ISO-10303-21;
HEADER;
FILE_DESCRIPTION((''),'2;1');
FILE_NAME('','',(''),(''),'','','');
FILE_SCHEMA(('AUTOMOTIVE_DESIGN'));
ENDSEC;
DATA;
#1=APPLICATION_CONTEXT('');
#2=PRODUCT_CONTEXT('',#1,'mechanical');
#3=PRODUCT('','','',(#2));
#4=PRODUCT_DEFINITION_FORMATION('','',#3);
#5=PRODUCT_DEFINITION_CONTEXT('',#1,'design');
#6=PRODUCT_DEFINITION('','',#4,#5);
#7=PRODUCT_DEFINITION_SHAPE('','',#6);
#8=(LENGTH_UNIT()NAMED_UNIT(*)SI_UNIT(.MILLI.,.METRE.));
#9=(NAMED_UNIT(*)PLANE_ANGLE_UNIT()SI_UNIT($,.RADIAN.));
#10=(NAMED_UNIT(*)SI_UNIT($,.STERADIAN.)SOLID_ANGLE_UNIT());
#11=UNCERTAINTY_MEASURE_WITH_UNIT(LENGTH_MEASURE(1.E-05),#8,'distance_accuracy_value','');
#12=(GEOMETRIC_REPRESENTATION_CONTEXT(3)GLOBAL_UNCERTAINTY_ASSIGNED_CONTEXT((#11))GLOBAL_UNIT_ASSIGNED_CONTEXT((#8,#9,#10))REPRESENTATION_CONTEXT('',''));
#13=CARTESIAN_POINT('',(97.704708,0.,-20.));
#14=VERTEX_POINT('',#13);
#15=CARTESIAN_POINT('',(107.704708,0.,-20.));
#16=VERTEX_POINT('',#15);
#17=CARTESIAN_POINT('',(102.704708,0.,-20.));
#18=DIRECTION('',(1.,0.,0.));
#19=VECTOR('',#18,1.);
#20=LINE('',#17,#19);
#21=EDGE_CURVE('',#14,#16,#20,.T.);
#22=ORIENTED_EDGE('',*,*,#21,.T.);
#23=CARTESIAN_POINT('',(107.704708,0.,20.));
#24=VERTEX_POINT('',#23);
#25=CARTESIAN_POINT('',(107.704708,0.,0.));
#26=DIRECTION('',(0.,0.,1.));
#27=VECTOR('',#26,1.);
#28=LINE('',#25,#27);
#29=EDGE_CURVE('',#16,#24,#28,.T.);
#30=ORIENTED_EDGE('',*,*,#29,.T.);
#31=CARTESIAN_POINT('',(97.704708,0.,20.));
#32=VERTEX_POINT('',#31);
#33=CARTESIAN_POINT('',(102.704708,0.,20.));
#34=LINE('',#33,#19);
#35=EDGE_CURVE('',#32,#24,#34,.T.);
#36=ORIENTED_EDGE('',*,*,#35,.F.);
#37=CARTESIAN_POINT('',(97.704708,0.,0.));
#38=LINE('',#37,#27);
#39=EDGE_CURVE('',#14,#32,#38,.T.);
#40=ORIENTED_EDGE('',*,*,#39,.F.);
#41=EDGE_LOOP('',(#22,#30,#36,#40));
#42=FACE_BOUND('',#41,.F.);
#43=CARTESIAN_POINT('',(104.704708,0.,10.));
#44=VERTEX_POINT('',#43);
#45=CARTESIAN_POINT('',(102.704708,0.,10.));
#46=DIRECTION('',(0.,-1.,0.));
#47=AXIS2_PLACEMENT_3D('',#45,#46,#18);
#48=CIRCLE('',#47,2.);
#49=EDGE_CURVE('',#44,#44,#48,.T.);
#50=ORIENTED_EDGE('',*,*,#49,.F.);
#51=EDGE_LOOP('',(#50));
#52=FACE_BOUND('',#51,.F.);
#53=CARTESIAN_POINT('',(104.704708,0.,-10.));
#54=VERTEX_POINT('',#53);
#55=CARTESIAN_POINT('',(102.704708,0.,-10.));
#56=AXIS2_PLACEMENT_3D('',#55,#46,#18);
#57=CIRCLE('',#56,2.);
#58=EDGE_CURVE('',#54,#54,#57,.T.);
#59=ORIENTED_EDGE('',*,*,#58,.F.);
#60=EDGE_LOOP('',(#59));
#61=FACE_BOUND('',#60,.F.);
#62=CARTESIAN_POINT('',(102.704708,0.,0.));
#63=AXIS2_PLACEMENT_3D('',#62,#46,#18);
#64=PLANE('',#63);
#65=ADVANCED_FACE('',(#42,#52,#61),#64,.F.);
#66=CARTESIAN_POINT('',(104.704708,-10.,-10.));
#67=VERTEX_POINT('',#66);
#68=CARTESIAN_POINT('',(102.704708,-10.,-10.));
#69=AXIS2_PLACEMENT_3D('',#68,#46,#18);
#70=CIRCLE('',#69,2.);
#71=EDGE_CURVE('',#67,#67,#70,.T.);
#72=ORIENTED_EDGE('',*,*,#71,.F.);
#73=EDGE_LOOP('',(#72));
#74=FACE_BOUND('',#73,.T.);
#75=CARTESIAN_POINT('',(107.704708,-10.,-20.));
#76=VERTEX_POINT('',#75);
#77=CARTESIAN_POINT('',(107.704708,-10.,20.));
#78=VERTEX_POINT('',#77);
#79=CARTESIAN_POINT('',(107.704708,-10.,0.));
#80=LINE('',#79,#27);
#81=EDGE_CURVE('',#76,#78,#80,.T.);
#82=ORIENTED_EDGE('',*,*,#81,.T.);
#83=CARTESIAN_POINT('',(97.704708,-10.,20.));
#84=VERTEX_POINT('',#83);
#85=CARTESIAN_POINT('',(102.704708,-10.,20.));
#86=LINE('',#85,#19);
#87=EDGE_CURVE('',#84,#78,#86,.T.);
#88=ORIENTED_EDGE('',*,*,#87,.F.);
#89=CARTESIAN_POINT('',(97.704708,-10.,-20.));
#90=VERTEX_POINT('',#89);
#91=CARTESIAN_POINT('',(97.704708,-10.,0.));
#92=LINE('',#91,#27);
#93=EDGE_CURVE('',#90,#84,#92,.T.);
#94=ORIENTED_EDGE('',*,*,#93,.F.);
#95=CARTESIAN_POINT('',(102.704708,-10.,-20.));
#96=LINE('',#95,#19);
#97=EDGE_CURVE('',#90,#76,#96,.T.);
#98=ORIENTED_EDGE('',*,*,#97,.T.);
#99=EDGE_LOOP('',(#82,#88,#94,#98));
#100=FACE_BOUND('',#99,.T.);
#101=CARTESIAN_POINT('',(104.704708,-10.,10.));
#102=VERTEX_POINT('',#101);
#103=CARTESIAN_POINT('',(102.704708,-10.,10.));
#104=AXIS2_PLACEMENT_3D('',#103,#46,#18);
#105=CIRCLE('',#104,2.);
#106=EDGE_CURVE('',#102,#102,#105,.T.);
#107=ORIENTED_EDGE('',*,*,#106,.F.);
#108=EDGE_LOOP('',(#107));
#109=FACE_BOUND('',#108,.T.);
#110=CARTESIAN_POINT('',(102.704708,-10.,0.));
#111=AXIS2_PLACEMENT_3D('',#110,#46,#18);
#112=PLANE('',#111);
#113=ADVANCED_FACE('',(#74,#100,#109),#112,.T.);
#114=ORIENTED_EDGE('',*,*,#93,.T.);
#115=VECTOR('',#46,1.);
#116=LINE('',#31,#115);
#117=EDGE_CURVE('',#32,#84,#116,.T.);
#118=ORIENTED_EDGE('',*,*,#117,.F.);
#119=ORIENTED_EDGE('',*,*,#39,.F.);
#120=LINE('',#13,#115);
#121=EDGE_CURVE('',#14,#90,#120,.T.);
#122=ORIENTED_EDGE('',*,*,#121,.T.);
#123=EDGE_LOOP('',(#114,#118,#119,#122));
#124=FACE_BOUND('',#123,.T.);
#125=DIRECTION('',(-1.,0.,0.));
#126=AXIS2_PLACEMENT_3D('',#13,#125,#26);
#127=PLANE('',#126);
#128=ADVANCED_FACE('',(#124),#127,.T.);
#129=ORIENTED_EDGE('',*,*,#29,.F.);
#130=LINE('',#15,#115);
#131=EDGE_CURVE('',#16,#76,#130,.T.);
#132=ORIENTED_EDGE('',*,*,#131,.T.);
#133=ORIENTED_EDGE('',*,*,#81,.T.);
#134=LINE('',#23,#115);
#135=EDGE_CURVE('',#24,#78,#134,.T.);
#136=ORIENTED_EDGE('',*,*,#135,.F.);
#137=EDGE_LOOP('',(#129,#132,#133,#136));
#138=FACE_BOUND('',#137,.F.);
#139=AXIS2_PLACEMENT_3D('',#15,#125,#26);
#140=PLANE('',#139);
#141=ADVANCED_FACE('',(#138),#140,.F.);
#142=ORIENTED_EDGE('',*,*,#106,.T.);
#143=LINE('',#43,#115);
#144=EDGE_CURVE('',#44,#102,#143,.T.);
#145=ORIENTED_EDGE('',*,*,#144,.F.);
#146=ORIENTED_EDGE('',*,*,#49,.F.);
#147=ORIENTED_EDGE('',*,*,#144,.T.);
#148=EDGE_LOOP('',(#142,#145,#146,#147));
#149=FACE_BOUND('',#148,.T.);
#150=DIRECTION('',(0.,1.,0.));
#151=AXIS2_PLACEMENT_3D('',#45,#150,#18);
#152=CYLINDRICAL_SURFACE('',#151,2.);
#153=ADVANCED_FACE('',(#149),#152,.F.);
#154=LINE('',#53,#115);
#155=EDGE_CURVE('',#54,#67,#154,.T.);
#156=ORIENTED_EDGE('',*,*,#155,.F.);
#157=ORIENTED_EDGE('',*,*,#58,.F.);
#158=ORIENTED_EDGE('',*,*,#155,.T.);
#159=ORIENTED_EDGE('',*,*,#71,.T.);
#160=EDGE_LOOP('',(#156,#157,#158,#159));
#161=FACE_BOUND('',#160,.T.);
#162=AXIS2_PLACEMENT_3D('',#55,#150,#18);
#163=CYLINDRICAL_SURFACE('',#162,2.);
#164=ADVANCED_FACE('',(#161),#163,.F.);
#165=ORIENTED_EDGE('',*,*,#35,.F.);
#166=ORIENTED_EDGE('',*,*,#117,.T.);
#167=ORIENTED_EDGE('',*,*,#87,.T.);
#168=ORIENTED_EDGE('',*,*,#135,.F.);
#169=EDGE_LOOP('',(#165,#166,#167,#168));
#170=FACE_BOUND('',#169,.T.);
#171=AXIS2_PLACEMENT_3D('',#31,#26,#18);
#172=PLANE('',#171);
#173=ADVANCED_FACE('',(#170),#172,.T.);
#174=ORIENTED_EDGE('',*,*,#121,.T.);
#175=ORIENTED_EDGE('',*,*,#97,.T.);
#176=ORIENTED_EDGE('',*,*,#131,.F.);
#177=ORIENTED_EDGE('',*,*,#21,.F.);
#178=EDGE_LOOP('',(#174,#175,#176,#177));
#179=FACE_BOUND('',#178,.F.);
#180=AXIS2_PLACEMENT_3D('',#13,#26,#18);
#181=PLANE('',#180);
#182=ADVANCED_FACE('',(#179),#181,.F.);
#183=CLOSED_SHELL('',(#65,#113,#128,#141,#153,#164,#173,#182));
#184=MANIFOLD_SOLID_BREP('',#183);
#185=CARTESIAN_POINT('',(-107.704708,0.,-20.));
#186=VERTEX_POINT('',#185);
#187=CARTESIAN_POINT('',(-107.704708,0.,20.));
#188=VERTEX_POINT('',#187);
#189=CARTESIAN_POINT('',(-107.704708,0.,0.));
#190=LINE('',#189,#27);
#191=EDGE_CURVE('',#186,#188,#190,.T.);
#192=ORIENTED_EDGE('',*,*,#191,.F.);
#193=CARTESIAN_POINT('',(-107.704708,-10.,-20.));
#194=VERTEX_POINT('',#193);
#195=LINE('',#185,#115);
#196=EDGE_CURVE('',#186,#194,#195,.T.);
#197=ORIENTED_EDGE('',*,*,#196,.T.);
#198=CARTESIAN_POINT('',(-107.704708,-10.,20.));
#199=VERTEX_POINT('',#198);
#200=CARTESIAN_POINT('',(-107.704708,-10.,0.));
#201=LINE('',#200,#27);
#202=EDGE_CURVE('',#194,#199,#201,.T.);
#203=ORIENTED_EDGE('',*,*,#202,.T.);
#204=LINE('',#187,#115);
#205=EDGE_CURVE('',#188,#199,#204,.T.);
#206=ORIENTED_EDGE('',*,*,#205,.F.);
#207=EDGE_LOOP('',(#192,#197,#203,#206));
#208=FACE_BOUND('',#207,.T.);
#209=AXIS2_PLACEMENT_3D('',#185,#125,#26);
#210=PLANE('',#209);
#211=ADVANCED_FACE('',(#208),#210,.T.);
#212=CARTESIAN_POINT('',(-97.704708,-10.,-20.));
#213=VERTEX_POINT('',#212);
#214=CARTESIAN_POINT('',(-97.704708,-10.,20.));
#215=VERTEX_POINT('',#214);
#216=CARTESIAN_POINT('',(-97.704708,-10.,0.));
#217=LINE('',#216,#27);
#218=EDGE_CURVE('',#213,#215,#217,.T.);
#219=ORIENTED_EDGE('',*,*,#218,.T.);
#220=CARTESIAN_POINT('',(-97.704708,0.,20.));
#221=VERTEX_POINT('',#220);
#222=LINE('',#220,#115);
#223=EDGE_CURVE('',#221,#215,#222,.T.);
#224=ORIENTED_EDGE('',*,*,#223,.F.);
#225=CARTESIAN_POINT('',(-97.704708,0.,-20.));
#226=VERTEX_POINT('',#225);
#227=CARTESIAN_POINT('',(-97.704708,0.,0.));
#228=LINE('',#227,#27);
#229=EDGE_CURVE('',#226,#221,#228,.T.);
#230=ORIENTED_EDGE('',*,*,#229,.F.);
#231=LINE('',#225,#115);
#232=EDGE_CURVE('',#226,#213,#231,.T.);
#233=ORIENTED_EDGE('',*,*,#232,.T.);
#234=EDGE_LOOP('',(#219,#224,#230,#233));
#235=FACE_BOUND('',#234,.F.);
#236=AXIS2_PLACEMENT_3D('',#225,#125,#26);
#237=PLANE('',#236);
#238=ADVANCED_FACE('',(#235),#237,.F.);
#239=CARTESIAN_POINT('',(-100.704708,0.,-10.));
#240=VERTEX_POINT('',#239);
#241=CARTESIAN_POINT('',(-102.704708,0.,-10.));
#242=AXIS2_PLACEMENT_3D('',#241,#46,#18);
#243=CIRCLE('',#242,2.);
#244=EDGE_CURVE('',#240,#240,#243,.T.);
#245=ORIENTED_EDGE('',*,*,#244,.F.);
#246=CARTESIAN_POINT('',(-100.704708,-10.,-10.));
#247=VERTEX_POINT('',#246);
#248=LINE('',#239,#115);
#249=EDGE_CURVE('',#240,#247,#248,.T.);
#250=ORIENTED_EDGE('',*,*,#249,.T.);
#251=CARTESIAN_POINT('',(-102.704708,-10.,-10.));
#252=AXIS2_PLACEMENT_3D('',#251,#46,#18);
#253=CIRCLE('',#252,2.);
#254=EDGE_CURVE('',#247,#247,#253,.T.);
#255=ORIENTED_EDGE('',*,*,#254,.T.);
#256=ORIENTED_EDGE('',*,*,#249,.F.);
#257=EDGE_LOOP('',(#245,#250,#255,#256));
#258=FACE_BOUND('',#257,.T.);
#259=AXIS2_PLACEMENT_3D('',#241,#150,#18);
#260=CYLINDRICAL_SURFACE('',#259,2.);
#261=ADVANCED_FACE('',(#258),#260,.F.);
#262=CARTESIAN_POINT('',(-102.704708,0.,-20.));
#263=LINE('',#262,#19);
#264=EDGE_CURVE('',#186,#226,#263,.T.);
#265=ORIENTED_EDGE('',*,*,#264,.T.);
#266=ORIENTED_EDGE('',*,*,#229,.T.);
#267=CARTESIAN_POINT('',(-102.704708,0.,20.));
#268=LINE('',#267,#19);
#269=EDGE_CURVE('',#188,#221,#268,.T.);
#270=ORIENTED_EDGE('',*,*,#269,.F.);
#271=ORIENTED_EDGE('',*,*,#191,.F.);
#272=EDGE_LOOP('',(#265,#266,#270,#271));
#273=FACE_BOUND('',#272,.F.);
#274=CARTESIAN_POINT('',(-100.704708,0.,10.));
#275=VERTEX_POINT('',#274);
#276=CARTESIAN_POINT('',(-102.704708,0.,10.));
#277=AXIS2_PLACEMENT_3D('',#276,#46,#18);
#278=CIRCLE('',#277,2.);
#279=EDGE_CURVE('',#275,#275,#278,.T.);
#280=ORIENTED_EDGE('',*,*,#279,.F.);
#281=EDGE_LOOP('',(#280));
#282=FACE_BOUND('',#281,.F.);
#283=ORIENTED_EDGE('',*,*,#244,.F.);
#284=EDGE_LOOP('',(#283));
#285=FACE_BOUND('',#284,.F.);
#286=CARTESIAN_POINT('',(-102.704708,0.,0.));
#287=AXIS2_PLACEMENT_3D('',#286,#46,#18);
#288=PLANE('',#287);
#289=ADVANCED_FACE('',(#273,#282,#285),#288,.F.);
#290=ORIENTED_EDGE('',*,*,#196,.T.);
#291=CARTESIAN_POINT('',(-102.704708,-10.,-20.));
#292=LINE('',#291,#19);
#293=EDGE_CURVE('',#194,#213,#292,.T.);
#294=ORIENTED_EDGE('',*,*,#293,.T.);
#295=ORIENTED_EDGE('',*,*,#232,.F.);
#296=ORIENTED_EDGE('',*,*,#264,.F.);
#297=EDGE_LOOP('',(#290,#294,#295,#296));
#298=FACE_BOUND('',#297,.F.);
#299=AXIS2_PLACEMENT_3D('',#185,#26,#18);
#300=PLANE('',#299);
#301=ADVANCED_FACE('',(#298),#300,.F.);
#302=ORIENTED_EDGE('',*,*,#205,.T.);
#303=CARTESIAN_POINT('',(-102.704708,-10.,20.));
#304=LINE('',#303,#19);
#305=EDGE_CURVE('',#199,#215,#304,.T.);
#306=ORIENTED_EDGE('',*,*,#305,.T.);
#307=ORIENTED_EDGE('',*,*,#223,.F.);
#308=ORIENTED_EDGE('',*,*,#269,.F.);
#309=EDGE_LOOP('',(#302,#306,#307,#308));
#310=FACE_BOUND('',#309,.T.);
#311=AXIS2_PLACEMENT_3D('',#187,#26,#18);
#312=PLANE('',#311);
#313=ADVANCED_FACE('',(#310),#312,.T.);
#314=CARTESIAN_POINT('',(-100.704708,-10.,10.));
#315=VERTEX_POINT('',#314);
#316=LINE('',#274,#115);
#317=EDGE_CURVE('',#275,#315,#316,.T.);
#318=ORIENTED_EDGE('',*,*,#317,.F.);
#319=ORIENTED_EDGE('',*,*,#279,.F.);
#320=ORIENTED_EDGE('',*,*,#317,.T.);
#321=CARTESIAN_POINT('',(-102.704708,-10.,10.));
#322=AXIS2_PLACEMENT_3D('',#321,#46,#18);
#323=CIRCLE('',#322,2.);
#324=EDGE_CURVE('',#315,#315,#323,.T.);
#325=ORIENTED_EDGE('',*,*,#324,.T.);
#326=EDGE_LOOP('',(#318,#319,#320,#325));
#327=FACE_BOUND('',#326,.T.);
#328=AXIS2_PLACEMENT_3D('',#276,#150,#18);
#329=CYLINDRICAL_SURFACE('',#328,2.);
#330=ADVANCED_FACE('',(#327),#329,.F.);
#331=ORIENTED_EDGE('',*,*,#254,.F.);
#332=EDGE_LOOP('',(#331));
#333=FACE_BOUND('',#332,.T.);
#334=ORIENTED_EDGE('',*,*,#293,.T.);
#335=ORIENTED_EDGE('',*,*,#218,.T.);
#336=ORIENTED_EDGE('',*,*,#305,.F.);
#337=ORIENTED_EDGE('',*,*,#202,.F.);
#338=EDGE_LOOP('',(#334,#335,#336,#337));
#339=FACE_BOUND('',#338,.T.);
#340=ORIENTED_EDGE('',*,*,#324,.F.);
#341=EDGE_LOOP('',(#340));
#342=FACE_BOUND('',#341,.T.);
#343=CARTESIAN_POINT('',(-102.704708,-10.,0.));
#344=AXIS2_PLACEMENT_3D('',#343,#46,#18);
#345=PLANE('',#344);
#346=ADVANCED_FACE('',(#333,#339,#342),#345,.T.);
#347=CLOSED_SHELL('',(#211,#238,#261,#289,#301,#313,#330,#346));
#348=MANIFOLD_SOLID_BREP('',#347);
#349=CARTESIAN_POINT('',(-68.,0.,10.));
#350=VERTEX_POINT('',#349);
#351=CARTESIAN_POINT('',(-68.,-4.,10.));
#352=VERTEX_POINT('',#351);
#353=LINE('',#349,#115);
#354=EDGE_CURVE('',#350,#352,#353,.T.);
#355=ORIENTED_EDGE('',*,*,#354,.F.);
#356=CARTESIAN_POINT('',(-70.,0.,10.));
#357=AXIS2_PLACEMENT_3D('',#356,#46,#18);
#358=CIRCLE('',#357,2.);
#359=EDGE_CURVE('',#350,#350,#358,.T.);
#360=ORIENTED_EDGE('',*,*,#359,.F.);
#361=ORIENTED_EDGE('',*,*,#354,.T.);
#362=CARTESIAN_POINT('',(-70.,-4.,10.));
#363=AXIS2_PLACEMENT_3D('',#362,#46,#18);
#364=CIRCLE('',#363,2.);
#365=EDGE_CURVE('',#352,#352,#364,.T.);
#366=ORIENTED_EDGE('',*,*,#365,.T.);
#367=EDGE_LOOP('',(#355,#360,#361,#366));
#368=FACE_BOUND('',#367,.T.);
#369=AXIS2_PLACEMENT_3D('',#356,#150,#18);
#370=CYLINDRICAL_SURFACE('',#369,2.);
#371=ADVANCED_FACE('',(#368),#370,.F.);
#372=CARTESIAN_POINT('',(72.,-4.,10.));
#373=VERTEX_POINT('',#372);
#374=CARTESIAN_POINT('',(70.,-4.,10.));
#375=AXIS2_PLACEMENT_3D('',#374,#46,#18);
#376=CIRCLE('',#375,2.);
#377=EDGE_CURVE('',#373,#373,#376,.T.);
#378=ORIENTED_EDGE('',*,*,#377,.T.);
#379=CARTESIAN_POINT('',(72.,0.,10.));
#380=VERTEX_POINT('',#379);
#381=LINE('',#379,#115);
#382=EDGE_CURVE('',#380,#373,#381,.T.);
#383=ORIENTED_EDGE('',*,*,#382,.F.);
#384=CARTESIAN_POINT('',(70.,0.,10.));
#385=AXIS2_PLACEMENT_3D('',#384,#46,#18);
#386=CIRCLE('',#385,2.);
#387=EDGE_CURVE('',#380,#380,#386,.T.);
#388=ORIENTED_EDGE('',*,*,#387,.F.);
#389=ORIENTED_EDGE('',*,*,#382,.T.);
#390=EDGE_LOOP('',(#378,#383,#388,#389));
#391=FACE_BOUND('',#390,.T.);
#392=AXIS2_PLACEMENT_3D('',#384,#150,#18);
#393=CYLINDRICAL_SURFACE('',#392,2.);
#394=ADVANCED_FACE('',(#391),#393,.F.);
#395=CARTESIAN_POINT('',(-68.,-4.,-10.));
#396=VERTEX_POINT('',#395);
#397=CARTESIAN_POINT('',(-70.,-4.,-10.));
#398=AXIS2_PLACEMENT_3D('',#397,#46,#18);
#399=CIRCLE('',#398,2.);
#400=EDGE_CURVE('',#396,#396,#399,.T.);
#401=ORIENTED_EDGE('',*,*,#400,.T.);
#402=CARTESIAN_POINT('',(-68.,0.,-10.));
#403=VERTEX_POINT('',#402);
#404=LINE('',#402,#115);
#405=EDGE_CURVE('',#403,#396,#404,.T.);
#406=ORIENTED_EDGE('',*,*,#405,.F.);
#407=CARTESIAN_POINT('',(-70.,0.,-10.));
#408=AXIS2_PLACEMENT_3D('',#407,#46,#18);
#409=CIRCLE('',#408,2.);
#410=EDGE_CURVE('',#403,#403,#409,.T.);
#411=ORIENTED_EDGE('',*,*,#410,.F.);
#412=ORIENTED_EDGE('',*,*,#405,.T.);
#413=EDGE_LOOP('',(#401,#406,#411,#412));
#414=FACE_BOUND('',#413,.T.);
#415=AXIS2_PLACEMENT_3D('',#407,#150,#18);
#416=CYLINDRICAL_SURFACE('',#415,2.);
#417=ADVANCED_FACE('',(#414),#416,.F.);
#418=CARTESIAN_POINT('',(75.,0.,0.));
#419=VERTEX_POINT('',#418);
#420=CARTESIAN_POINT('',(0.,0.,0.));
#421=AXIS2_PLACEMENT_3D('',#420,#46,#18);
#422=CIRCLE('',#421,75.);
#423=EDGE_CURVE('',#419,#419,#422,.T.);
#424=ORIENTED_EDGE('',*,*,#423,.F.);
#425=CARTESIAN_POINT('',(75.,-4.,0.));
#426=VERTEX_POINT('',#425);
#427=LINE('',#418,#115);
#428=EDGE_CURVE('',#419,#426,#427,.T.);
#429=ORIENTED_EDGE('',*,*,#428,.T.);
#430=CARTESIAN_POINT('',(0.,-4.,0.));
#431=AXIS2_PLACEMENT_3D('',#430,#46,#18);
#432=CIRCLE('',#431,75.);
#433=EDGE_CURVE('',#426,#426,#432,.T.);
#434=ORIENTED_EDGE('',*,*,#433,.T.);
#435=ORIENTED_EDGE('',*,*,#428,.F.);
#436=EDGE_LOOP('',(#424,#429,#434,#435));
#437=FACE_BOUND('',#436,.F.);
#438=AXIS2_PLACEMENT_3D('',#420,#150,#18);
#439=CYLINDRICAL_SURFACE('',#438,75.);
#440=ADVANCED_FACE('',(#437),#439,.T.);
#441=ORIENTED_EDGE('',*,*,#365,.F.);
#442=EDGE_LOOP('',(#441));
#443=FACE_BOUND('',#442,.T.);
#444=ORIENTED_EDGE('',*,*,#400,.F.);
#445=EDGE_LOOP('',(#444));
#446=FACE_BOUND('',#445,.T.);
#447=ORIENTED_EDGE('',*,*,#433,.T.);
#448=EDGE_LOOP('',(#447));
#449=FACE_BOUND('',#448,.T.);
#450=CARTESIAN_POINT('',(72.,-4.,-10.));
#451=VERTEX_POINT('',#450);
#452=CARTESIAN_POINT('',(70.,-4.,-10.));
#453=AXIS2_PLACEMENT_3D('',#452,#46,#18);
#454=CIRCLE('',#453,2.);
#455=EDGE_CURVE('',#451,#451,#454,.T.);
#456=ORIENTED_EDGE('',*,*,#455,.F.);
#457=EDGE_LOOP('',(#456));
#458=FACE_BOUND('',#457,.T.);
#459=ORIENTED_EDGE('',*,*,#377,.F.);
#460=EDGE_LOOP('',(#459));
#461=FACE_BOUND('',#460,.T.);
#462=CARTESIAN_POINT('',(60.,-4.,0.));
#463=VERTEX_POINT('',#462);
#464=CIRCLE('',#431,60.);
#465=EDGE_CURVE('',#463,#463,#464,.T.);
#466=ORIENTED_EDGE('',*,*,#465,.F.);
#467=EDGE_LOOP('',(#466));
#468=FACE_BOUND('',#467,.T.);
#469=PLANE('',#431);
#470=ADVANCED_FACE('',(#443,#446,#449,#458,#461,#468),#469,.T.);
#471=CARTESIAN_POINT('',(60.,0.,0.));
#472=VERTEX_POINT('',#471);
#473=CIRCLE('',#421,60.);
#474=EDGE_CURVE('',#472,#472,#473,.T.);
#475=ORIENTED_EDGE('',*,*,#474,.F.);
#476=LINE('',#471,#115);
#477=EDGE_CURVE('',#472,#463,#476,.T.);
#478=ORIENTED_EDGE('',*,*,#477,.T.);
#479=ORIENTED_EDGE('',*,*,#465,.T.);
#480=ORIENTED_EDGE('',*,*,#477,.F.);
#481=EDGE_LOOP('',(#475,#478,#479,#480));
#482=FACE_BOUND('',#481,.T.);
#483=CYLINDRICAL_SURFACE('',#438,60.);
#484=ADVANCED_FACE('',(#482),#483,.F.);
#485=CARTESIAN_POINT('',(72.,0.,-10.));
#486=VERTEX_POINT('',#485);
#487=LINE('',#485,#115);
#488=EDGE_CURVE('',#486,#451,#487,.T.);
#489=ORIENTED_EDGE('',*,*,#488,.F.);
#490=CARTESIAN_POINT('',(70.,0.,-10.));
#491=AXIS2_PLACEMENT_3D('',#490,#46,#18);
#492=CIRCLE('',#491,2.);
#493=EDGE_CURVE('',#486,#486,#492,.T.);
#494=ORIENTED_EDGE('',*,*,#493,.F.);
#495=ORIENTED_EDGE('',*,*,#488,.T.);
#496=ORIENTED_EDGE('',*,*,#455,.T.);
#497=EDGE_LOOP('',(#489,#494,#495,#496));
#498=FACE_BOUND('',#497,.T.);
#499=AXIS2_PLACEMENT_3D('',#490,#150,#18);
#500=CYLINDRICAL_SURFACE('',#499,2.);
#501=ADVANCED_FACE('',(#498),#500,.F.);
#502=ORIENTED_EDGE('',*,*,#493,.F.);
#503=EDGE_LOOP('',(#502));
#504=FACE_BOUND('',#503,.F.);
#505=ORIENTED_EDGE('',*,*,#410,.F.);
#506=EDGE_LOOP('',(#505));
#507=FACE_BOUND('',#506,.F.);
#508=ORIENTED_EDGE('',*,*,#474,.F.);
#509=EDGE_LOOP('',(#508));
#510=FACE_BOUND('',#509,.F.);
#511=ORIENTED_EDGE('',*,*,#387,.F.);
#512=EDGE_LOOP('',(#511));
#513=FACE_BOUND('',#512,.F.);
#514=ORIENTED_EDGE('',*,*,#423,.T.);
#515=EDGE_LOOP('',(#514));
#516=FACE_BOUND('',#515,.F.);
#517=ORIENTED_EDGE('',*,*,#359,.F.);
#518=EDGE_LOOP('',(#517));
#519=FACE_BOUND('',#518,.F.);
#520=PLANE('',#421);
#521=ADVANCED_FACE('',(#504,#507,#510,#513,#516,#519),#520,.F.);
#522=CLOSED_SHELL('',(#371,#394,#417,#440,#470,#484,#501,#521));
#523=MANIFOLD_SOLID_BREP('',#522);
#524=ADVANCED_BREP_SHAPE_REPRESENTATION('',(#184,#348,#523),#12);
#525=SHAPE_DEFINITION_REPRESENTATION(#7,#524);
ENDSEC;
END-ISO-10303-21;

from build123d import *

# Parameters (mm, degrees)
F0_R     = 75
F0_R_2   = 2
F0_R_3   = 60
F1_DEPTH = 4
F2_W     = 10
F2_H     = 40
F2_R     = 2
F3_DEPTH = 10


with BuildPart() as f1:
    # F0 (on Front) → F1 (new body)
    with BuildSketch(Plane.XZ):
        Circle(F0_R)
        with Locations((-70, -10)):
            Circle(F0_R_2, mode=Mode.SUBTRACT)
        with Locations((70, -10)):
            Circle(F0_R_2, mode=Mode.SUBTRACT)
        with Locations((-70, 10)):
            Circle(F0_R_2, mode=Mode.SUBTRACT)
        Circle(F0_R_3, mode=Mode.SUBTRACT)
        with Locations((70, 10)):
            Circle(F0_R_2, mode=Mode.SUBTRACT)
    extrude(amount=F1_DEPTH)


with BuildPart() as f3:
    # F2 (on Front) → F3 (new body)
    with BuildSketch(Plane.XZ):
        with Locations((-102.704708, 0)):
            Rectangle(F2_W, F2_H)
        with Locations((-102.704708, -10)):
            Circle(F2_R, mode=Mode.SUBTRACT)
        with Locations((-102.704708, 10)):
            Circle(F2_R, mode=Mode.SUBTRACT)
        with Locations((102.704708, 0)):
            Rectangle(F2_W, F2_H)
        with Locations((102.704708, -10)):
            Circle(F2_R, mode=Mode.SUBTRACT)
        with Locations((102.704708, 10)):
            Circle(F2_R, mode=Mode.SUBTRACT)
    extrude(amount=F3_DEPTH)


solid = Compound([f1.part, f3.part])
